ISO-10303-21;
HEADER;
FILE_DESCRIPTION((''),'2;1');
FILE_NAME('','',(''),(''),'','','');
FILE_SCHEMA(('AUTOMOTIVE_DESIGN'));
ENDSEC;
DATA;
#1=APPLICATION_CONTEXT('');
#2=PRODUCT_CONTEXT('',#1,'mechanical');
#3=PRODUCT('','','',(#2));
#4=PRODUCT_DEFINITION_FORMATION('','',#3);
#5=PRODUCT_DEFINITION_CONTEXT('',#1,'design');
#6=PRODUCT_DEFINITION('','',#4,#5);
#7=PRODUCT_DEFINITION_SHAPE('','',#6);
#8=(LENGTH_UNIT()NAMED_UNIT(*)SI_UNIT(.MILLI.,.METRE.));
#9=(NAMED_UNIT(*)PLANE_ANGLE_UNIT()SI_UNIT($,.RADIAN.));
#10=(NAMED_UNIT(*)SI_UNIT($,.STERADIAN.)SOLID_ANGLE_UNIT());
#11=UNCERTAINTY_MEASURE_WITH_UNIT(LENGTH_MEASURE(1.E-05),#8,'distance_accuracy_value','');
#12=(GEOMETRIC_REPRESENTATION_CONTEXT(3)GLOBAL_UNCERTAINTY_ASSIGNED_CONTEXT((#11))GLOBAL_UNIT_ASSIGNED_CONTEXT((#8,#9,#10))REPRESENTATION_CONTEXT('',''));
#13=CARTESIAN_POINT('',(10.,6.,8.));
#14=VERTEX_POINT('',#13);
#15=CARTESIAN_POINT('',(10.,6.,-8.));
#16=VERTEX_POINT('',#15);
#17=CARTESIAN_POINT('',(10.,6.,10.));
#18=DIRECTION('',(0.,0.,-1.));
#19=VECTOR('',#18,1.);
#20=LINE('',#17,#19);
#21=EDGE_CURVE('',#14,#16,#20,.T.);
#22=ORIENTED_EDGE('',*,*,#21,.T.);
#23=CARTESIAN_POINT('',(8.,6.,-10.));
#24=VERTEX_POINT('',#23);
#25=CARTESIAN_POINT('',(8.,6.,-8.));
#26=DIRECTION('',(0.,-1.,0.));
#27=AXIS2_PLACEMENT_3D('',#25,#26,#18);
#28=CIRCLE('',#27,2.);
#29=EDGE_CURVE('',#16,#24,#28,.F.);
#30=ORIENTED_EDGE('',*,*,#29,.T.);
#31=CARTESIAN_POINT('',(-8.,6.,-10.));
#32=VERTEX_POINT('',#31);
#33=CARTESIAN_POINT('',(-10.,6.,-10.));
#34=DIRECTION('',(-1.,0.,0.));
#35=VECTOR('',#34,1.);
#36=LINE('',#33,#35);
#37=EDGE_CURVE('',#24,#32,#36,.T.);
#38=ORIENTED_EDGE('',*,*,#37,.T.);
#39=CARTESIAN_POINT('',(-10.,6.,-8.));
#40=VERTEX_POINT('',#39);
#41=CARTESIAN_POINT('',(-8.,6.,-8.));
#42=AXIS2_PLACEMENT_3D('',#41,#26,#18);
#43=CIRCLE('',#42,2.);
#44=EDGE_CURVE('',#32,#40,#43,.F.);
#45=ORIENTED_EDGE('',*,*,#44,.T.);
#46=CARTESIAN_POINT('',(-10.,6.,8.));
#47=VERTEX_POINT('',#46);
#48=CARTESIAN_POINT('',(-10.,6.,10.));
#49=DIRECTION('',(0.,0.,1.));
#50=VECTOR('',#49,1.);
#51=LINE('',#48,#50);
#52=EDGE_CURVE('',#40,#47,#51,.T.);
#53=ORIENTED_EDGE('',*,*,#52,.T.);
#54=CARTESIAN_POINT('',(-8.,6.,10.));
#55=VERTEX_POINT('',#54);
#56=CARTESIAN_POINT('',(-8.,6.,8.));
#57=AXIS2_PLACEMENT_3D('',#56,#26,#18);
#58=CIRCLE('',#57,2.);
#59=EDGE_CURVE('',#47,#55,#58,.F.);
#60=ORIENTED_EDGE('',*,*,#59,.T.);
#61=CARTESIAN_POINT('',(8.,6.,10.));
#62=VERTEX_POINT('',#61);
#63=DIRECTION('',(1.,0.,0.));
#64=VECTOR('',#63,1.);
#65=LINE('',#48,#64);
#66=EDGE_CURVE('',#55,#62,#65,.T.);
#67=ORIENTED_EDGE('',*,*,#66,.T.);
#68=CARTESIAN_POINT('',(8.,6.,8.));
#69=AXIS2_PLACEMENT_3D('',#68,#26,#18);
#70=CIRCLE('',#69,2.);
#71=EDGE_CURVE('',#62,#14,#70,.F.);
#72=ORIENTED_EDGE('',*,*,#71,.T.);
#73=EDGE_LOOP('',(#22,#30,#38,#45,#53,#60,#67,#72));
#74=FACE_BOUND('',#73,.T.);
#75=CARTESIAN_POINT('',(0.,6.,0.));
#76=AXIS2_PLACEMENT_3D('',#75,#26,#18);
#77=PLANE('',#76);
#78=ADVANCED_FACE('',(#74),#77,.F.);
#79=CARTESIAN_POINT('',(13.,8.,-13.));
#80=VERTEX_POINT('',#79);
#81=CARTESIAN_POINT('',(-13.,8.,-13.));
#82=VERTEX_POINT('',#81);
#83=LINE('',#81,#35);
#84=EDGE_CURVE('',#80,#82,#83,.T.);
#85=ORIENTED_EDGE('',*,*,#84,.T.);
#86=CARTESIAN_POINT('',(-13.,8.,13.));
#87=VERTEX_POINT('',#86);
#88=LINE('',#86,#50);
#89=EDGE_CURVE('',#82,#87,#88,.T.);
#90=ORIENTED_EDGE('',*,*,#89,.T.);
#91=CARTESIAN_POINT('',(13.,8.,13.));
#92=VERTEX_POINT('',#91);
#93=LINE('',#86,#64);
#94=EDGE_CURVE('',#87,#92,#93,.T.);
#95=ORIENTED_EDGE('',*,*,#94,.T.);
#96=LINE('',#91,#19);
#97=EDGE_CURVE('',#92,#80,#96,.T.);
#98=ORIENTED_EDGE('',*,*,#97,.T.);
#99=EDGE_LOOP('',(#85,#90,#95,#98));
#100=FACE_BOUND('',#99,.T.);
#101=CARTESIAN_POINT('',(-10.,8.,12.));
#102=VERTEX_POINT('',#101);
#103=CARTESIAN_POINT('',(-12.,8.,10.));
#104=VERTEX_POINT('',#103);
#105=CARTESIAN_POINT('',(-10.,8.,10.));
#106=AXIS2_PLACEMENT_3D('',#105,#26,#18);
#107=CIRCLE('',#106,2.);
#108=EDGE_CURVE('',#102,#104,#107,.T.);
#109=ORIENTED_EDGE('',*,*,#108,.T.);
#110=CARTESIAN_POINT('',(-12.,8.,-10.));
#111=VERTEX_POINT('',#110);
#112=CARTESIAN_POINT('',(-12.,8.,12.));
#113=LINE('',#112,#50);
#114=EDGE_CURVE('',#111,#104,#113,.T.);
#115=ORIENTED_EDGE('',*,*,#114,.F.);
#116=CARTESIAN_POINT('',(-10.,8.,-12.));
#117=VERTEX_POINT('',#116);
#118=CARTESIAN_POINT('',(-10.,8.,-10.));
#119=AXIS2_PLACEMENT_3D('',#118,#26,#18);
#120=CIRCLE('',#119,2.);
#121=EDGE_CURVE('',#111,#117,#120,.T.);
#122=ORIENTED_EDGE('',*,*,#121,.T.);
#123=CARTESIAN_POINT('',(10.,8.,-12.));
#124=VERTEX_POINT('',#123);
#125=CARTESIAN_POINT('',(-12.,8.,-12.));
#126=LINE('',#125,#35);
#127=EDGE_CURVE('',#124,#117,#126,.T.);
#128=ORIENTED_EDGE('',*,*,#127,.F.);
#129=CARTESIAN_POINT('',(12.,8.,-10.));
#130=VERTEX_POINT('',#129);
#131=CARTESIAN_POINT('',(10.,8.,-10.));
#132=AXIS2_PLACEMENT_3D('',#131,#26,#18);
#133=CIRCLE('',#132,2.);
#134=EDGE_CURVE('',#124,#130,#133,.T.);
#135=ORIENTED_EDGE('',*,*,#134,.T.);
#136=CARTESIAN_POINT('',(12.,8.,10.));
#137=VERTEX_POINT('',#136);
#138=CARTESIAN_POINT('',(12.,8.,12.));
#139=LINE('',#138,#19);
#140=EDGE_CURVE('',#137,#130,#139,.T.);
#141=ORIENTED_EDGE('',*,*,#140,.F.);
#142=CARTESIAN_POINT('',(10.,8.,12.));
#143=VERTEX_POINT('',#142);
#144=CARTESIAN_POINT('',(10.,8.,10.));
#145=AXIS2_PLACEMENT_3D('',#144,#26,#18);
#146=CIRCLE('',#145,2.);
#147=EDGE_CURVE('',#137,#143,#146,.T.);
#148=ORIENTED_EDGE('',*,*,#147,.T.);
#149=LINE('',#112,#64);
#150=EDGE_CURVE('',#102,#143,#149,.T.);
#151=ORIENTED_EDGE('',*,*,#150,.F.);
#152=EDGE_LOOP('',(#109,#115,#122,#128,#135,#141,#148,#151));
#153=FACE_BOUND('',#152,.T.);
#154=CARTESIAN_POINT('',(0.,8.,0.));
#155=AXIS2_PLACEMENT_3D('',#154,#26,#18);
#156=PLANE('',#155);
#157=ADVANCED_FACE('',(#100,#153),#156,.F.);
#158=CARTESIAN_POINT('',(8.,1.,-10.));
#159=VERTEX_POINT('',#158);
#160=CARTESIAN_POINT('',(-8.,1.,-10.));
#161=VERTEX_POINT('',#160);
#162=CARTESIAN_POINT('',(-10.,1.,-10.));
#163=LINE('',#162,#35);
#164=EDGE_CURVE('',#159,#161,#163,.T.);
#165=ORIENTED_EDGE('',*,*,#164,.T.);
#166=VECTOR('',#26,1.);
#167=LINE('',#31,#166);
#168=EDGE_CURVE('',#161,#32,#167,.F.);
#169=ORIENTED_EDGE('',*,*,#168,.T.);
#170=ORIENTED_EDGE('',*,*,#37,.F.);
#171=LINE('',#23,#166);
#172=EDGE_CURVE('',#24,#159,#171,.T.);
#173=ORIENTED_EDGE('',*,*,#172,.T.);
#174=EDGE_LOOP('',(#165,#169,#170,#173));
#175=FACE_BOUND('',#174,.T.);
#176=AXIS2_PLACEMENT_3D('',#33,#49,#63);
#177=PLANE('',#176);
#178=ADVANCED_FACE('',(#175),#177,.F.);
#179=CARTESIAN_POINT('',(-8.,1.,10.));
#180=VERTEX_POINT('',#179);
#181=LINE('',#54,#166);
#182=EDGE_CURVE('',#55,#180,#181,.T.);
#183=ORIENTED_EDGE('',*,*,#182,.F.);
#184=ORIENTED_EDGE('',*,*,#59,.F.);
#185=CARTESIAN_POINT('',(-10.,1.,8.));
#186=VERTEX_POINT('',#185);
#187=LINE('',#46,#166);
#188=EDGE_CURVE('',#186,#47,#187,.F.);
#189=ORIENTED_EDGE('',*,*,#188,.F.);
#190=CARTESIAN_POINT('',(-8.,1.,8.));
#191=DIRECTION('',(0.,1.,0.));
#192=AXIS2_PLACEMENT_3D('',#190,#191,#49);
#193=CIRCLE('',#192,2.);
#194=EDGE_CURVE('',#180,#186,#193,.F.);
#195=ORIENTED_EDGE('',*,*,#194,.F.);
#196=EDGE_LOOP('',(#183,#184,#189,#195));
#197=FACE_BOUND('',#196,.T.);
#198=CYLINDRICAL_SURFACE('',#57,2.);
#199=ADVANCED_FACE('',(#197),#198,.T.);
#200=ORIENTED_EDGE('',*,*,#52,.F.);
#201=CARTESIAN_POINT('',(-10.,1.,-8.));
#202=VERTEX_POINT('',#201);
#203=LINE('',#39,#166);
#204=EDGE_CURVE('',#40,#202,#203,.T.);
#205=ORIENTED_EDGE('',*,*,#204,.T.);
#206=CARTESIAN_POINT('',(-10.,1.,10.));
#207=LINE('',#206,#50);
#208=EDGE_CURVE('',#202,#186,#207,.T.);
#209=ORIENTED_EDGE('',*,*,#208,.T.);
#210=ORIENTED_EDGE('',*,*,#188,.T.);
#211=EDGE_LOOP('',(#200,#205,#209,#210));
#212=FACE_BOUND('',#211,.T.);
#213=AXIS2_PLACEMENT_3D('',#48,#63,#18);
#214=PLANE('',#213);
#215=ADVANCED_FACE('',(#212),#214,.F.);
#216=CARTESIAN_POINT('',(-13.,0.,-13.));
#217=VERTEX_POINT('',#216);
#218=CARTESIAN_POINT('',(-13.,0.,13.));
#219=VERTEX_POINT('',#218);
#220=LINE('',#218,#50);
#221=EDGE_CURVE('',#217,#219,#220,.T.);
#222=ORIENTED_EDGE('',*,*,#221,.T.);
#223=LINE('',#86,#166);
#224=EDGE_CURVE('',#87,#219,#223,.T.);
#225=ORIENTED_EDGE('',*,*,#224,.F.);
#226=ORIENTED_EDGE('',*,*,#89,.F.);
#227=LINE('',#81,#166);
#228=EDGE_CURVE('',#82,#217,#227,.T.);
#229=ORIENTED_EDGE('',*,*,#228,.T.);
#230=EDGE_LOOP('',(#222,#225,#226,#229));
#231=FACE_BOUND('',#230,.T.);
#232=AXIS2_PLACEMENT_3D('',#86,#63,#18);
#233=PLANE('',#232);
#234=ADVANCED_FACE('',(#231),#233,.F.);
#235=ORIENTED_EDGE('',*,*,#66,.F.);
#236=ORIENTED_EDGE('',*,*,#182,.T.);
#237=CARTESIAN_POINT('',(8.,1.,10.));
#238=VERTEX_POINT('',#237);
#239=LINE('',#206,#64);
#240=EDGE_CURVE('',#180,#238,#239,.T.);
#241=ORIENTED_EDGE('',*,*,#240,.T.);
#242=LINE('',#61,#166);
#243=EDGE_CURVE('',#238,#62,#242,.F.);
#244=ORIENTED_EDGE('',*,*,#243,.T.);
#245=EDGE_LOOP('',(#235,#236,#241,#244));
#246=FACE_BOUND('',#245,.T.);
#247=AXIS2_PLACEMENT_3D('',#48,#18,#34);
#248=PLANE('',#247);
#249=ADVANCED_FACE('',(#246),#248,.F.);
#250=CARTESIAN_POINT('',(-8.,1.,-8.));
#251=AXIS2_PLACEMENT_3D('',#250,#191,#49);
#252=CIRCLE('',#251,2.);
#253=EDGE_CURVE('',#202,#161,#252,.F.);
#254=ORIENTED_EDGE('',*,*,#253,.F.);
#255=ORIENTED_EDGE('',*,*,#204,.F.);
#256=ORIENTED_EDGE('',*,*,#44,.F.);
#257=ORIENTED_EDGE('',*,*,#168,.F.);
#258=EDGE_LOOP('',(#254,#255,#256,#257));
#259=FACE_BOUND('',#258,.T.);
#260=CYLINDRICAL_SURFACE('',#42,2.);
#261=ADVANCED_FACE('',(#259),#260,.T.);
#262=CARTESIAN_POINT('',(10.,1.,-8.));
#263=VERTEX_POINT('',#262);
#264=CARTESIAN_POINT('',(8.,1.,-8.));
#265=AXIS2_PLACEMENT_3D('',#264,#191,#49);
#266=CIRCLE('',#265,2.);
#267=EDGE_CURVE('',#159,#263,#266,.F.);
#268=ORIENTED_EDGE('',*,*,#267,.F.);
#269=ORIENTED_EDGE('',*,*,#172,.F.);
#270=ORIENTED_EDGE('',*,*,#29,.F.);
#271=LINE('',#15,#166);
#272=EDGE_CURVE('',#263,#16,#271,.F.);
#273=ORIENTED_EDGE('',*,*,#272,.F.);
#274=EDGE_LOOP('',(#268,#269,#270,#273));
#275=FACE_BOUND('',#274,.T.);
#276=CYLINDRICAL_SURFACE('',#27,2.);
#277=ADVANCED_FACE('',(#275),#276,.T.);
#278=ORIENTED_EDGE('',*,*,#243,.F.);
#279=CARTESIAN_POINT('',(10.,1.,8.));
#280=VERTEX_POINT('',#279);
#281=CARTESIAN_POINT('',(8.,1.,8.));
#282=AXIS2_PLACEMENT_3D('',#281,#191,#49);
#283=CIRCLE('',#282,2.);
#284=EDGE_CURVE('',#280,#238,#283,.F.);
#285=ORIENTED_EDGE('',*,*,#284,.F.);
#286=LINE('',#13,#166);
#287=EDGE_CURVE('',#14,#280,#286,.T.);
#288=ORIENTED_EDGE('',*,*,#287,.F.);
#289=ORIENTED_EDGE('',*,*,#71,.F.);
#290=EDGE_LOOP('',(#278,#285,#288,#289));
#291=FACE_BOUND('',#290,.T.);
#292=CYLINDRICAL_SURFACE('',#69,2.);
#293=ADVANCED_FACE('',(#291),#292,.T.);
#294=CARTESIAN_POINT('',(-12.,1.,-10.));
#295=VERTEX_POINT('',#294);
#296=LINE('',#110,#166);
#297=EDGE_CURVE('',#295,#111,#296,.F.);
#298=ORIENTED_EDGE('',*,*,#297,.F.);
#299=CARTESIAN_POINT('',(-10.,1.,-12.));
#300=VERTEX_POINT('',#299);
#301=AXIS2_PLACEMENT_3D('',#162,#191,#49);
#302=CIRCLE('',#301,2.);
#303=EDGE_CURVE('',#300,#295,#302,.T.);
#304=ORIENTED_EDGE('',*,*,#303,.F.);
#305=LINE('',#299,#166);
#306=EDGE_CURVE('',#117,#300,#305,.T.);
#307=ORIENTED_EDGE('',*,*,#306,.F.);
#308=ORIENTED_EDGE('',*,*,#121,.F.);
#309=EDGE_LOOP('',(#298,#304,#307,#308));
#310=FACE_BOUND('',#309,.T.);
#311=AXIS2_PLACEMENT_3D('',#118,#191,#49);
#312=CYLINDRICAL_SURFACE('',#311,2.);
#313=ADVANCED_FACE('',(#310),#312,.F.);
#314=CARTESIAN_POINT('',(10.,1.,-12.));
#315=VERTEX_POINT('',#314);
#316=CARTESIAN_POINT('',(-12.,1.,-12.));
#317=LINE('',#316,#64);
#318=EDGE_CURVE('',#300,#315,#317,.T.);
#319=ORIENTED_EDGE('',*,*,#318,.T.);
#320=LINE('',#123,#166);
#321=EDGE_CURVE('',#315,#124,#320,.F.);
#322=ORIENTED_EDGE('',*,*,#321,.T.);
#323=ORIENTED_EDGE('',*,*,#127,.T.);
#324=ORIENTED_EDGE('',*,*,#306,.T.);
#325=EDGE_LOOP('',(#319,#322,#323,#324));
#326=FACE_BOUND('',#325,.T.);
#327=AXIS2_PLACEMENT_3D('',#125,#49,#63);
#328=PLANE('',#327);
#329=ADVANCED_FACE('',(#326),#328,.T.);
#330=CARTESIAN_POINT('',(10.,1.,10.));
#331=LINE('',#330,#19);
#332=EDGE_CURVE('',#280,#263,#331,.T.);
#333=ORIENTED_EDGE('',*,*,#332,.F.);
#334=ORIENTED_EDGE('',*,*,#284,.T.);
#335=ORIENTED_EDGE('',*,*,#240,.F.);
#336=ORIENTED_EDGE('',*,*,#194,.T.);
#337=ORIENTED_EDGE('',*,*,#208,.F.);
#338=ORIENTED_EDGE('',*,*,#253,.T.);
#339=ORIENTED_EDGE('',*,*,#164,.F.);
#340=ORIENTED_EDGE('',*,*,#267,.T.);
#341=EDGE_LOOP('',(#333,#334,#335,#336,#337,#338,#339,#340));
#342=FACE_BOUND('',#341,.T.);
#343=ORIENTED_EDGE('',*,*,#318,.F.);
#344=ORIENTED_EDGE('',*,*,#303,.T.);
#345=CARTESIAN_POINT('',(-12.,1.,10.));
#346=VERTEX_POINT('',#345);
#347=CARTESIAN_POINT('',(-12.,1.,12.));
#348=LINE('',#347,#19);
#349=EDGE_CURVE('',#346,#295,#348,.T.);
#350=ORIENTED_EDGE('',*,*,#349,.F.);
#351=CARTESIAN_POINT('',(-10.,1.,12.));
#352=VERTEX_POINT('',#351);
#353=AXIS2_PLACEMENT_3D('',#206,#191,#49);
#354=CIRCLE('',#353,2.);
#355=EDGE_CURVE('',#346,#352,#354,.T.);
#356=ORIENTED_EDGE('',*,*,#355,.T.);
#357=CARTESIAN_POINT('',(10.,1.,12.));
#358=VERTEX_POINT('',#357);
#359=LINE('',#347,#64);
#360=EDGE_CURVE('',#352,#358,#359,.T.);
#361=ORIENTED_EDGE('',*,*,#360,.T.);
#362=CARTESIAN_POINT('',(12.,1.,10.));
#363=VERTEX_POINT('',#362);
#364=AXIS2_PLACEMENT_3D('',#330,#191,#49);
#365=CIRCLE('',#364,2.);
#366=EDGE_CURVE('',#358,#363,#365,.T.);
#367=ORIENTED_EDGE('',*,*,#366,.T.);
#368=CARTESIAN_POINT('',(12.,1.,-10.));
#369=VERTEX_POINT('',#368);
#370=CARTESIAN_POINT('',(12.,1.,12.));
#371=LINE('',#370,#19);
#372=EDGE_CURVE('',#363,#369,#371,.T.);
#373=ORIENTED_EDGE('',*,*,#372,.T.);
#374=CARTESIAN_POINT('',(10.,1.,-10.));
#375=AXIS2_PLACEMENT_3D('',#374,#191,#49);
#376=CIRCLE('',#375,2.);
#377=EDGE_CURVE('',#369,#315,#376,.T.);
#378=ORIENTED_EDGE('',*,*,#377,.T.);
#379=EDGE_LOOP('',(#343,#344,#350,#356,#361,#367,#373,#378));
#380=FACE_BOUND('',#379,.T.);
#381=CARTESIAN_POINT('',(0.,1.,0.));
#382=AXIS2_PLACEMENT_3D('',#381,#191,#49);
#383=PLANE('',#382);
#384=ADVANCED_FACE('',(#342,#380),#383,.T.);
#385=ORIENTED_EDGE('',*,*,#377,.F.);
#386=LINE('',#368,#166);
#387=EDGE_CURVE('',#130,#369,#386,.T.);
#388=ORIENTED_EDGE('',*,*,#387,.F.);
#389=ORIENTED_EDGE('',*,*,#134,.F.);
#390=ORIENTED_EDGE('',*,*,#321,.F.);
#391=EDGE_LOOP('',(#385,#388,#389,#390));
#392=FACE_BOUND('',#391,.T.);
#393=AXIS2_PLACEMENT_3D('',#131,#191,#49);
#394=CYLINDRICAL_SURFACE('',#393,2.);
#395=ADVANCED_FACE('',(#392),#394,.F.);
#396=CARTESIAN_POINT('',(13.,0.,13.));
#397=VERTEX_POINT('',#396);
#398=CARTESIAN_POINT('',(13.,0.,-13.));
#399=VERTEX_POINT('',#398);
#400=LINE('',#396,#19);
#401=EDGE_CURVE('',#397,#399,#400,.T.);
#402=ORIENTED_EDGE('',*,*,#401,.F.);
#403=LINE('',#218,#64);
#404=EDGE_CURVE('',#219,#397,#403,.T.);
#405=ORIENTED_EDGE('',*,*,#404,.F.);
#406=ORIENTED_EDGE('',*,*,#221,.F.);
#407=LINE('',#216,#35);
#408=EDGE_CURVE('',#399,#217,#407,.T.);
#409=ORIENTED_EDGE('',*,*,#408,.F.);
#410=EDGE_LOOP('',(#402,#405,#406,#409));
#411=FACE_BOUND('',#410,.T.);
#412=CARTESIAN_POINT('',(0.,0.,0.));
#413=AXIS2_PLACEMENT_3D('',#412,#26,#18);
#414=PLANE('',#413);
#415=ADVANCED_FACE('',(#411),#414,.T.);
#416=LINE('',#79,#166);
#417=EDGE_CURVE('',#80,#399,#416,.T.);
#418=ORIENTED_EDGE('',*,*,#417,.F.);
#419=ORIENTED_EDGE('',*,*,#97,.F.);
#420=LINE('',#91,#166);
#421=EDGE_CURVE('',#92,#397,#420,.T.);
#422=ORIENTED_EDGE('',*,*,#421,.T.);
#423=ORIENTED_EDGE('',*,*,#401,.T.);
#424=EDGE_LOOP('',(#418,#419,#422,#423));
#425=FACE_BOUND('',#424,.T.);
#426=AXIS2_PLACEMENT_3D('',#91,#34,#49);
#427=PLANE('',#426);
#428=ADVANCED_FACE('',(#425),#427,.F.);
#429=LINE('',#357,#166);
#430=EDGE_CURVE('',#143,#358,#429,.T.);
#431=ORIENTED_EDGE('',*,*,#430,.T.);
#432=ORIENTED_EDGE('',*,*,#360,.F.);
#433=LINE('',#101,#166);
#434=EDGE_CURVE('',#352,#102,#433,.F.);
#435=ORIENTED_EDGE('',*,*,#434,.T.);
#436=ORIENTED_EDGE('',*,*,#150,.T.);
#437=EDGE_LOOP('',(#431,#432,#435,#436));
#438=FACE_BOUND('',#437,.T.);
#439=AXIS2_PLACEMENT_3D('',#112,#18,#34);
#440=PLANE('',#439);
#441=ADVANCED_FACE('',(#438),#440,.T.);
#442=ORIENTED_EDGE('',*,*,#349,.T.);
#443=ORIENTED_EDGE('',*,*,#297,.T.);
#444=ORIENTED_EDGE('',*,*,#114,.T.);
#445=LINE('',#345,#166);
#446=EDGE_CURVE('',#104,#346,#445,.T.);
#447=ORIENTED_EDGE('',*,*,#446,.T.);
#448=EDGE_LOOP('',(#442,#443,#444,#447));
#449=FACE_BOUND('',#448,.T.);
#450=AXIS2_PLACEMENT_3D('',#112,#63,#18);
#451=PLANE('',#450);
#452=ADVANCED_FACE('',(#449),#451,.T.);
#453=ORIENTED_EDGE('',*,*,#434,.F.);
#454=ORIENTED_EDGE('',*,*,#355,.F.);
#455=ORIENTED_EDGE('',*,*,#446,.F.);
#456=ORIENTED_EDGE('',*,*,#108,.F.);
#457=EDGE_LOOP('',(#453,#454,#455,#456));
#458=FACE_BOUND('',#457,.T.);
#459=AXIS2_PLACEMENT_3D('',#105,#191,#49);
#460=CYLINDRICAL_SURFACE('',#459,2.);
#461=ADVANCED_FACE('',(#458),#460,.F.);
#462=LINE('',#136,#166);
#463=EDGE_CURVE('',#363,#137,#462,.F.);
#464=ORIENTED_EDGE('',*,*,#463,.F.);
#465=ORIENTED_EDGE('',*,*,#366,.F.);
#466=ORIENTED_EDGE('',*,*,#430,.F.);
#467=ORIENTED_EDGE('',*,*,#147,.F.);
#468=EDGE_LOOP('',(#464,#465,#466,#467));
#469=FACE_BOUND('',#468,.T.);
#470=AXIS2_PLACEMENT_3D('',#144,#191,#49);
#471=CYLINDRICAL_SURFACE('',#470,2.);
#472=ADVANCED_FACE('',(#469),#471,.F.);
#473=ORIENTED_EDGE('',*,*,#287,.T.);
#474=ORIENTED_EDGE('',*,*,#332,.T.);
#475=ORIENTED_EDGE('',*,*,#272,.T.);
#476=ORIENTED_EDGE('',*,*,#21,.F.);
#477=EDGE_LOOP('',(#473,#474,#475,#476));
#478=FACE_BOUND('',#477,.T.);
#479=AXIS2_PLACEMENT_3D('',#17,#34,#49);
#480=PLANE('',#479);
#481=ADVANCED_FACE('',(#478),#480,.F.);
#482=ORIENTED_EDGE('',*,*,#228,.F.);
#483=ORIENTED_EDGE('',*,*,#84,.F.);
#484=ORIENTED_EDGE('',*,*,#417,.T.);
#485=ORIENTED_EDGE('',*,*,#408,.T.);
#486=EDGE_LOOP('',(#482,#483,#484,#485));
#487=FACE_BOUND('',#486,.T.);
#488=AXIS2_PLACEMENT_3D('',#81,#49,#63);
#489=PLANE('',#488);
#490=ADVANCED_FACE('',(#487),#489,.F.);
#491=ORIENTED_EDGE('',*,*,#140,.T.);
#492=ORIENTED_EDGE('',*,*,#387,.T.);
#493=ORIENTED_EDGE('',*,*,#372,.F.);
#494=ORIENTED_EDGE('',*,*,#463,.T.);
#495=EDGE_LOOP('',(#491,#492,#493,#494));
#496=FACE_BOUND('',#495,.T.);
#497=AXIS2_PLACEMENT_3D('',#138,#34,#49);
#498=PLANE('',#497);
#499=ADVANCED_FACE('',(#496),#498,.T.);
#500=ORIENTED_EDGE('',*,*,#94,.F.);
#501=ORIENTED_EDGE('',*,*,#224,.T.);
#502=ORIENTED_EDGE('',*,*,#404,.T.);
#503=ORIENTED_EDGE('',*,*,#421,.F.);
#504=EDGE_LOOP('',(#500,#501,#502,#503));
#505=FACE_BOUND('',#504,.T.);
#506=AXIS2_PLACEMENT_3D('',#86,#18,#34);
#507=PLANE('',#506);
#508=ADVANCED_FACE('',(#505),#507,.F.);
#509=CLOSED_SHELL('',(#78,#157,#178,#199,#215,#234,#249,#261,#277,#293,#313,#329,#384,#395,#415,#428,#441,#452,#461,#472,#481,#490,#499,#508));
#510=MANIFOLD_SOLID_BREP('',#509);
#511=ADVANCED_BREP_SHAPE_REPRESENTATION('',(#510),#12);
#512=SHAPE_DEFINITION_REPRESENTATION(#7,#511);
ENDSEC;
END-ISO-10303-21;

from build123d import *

# Parameters (mm, degrees)
SKETCH1_W           = 20
SKETCH1_H           = 20
BOSS_EXTRUDE1_DEPTH = 6
SKETCH2_W           = 24
SKETCH2_H           = 24
BOSS_EXTRUDE2_DEPTH = 1
SKETCH2_3_W         = 26
SKETCH2_3_H         = 26
SKETCH2_3_W_2       = 24
SKETCH2_3_H_2       = 24
BOSS_EXTRUDE3_DEPTH = 8
FILLET1_R           = 2
FILLET2_R           = 2


with BuildPart() as part:
    # Sketch1 → Boss-Extrude1 (new body)
    with BuildSketch(Plane(origin=(0, 0, 0), x_dir=(1, 0, 0), z_dir=(0, 1, 0))):
        Rectangle(SKETCH1_W, SKETCH1_H)
    extrude(amount=BOSS_EXTRUDE1_DEPTH)

    # Sketch2 → Boss-Extrude2 (add)
    with BuildSketch(Plane(origin=(0, 0, 0), x_dir=(1, 0, 0), z_dir=(0, 1, 0))):
        Rectangle(SKETCH2_W, SKETCH2_H)
    extrude(amount=BOSS_EXTRUDE2_DEPTH)

    # Sketch2<3> → Boss-Extrude3 (add)
    with BuildSketch(Plane(origin=(0, 0, 0), x_dir=(1, 0, 0), z_dir=(0, 1, 0))):
        Rectangle(SKETCH2_3_W, SKETCH2_3_H)
        Rectangle(SKETCH2_3_W_2, SKETCH2_3_H_2, mode=Mode.SUBTRACT)
    extrude(amount=BOSS_EXTRUDE3_DEPTH)

    # Fillet1
    fillet1_edges = [part.edges().sort_by_distance(p)[0] for p in [
        (10, 3.5, 10),
        (-10, 3.5, 10),
        (-10, 3.5, -10),
        (10, 3.5, -10),
    ]]
    fillet(fillet1_edges, radius=FILLET1_R)

    # Fillet2
    fillet2_edges = [part.edges().sort_by_distance(p)[0] for p in [
        (12, 4.5, -12),
        (-12, 4.5, -12),
        (-12, 4.5, 12),
        (12, 4.5, 12),
    ]]
    fillet(fillet2_edges, radius=FILLET2_R)


solid = part.part
